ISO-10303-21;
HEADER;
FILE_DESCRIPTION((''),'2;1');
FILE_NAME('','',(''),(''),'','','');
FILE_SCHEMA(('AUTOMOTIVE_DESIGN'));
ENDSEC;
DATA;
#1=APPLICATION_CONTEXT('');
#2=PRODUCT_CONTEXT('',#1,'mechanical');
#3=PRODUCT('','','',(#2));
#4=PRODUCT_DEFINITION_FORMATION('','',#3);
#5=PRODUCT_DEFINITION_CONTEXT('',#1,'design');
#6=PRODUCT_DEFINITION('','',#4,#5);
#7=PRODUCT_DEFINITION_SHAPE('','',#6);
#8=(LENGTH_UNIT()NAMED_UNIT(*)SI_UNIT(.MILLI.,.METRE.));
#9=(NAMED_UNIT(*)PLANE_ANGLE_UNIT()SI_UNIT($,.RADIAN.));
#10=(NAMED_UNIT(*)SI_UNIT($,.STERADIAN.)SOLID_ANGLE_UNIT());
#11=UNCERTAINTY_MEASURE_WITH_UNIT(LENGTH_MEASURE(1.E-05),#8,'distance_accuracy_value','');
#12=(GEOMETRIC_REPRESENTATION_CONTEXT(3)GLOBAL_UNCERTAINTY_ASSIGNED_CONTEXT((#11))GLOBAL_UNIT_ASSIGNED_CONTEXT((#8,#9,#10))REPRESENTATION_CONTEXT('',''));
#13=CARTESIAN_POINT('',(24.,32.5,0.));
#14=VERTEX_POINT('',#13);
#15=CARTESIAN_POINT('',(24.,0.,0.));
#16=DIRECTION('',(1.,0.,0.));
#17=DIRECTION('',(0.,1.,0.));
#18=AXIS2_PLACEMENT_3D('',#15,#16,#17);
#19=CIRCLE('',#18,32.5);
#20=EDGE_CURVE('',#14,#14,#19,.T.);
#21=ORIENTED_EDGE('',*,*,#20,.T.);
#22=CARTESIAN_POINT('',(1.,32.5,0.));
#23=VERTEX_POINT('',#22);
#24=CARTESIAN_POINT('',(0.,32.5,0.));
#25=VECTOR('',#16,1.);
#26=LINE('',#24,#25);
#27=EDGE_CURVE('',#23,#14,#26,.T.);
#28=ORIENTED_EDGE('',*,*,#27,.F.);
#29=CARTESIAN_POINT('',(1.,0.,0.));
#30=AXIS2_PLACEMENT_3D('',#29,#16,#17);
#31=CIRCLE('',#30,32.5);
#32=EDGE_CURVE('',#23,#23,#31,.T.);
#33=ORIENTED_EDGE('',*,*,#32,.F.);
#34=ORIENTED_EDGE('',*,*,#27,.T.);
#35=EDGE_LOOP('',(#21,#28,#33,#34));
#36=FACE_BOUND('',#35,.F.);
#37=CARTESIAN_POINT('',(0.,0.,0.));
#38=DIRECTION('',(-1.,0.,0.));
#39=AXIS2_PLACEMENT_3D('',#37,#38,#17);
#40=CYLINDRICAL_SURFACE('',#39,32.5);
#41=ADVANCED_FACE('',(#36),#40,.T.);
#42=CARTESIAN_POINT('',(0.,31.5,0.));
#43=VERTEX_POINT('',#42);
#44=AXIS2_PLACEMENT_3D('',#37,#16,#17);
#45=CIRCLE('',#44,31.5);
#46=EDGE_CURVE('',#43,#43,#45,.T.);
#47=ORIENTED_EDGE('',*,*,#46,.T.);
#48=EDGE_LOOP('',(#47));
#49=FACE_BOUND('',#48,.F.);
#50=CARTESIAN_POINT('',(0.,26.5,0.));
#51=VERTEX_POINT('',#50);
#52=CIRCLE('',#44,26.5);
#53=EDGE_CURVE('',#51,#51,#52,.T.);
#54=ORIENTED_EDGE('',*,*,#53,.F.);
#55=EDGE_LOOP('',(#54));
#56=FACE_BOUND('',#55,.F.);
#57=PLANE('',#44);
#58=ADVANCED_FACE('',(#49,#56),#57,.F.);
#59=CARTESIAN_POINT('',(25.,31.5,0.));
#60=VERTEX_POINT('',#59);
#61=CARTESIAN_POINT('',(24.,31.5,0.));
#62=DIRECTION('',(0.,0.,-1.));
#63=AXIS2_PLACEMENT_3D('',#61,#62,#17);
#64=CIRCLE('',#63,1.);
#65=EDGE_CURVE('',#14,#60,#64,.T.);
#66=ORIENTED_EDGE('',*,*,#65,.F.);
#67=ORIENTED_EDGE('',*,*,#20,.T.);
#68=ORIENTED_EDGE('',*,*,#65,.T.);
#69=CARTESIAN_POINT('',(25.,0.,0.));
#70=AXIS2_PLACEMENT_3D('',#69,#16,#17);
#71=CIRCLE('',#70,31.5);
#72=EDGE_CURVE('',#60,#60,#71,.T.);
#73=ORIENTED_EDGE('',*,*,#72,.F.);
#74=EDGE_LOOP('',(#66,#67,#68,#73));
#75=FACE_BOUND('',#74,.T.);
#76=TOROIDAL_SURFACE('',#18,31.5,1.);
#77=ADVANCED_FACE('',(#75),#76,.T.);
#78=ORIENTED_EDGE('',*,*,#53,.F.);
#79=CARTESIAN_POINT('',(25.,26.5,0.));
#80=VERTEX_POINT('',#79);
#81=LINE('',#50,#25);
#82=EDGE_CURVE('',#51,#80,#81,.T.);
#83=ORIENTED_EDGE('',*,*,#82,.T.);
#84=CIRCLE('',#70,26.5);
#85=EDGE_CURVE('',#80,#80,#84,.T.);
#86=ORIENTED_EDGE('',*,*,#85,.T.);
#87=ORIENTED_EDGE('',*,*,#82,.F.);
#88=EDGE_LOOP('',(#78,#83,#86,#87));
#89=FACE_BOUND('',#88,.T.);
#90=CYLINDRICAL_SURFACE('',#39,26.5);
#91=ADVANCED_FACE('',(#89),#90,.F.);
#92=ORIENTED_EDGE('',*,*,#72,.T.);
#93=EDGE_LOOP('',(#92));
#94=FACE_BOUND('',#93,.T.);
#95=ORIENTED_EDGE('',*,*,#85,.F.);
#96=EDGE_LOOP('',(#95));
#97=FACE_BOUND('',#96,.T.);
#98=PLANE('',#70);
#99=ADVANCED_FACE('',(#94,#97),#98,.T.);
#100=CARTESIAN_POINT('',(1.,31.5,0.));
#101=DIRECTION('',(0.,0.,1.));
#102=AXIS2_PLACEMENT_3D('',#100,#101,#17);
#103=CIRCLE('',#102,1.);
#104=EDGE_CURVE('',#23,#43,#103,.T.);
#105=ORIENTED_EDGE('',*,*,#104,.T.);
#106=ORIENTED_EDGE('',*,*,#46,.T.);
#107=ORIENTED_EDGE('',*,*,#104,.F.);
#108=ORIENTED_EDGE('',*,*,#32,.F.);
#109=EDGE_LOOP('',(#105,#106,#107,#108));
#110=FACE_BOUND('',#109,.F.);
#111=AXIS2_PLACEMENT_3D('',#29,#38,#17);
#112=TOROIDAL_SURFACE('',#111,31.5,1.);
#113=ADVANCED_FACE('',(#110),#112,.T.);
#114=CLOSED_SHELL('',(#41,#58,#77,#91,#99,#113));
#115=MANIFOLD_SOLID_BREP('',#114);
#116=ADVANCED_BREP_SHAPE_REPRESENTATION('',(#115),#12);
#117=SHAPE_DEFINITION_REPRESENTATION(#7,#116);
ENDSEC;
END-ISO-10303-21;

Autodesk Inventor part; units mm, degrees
ref_plane "YZ Plane" through (0, 0, 0) normal (1, 0, 0) x (0, 1, 0)
ref_plane "XZ Plane" through (0, 0, 0) normal (0, 1, 0) x (-1, 0, 0)
ref_plane "XY Plane" through (0, 0, 0) normal (0, 0, 1) x (1, 0, 0)
sketch "Sketch1" plane through (0, 0, 0) normal (1, 0, 0) x (0, 1, 0)
  circle A0 centre (0, 0) radius 32.5
  circle A1 centre (0, 0) radius 26.5
  dimension "d0" = 65
  dimension "d1" = 6
extrude "Extrusion1" add sketch "Sketch1" along normal blind 25
fillet "Fillet1" radius 1 2 edges at (0, -32.5, 0) (25, -32.5, 0)
properties part number "outertyre" material "Rubber"
